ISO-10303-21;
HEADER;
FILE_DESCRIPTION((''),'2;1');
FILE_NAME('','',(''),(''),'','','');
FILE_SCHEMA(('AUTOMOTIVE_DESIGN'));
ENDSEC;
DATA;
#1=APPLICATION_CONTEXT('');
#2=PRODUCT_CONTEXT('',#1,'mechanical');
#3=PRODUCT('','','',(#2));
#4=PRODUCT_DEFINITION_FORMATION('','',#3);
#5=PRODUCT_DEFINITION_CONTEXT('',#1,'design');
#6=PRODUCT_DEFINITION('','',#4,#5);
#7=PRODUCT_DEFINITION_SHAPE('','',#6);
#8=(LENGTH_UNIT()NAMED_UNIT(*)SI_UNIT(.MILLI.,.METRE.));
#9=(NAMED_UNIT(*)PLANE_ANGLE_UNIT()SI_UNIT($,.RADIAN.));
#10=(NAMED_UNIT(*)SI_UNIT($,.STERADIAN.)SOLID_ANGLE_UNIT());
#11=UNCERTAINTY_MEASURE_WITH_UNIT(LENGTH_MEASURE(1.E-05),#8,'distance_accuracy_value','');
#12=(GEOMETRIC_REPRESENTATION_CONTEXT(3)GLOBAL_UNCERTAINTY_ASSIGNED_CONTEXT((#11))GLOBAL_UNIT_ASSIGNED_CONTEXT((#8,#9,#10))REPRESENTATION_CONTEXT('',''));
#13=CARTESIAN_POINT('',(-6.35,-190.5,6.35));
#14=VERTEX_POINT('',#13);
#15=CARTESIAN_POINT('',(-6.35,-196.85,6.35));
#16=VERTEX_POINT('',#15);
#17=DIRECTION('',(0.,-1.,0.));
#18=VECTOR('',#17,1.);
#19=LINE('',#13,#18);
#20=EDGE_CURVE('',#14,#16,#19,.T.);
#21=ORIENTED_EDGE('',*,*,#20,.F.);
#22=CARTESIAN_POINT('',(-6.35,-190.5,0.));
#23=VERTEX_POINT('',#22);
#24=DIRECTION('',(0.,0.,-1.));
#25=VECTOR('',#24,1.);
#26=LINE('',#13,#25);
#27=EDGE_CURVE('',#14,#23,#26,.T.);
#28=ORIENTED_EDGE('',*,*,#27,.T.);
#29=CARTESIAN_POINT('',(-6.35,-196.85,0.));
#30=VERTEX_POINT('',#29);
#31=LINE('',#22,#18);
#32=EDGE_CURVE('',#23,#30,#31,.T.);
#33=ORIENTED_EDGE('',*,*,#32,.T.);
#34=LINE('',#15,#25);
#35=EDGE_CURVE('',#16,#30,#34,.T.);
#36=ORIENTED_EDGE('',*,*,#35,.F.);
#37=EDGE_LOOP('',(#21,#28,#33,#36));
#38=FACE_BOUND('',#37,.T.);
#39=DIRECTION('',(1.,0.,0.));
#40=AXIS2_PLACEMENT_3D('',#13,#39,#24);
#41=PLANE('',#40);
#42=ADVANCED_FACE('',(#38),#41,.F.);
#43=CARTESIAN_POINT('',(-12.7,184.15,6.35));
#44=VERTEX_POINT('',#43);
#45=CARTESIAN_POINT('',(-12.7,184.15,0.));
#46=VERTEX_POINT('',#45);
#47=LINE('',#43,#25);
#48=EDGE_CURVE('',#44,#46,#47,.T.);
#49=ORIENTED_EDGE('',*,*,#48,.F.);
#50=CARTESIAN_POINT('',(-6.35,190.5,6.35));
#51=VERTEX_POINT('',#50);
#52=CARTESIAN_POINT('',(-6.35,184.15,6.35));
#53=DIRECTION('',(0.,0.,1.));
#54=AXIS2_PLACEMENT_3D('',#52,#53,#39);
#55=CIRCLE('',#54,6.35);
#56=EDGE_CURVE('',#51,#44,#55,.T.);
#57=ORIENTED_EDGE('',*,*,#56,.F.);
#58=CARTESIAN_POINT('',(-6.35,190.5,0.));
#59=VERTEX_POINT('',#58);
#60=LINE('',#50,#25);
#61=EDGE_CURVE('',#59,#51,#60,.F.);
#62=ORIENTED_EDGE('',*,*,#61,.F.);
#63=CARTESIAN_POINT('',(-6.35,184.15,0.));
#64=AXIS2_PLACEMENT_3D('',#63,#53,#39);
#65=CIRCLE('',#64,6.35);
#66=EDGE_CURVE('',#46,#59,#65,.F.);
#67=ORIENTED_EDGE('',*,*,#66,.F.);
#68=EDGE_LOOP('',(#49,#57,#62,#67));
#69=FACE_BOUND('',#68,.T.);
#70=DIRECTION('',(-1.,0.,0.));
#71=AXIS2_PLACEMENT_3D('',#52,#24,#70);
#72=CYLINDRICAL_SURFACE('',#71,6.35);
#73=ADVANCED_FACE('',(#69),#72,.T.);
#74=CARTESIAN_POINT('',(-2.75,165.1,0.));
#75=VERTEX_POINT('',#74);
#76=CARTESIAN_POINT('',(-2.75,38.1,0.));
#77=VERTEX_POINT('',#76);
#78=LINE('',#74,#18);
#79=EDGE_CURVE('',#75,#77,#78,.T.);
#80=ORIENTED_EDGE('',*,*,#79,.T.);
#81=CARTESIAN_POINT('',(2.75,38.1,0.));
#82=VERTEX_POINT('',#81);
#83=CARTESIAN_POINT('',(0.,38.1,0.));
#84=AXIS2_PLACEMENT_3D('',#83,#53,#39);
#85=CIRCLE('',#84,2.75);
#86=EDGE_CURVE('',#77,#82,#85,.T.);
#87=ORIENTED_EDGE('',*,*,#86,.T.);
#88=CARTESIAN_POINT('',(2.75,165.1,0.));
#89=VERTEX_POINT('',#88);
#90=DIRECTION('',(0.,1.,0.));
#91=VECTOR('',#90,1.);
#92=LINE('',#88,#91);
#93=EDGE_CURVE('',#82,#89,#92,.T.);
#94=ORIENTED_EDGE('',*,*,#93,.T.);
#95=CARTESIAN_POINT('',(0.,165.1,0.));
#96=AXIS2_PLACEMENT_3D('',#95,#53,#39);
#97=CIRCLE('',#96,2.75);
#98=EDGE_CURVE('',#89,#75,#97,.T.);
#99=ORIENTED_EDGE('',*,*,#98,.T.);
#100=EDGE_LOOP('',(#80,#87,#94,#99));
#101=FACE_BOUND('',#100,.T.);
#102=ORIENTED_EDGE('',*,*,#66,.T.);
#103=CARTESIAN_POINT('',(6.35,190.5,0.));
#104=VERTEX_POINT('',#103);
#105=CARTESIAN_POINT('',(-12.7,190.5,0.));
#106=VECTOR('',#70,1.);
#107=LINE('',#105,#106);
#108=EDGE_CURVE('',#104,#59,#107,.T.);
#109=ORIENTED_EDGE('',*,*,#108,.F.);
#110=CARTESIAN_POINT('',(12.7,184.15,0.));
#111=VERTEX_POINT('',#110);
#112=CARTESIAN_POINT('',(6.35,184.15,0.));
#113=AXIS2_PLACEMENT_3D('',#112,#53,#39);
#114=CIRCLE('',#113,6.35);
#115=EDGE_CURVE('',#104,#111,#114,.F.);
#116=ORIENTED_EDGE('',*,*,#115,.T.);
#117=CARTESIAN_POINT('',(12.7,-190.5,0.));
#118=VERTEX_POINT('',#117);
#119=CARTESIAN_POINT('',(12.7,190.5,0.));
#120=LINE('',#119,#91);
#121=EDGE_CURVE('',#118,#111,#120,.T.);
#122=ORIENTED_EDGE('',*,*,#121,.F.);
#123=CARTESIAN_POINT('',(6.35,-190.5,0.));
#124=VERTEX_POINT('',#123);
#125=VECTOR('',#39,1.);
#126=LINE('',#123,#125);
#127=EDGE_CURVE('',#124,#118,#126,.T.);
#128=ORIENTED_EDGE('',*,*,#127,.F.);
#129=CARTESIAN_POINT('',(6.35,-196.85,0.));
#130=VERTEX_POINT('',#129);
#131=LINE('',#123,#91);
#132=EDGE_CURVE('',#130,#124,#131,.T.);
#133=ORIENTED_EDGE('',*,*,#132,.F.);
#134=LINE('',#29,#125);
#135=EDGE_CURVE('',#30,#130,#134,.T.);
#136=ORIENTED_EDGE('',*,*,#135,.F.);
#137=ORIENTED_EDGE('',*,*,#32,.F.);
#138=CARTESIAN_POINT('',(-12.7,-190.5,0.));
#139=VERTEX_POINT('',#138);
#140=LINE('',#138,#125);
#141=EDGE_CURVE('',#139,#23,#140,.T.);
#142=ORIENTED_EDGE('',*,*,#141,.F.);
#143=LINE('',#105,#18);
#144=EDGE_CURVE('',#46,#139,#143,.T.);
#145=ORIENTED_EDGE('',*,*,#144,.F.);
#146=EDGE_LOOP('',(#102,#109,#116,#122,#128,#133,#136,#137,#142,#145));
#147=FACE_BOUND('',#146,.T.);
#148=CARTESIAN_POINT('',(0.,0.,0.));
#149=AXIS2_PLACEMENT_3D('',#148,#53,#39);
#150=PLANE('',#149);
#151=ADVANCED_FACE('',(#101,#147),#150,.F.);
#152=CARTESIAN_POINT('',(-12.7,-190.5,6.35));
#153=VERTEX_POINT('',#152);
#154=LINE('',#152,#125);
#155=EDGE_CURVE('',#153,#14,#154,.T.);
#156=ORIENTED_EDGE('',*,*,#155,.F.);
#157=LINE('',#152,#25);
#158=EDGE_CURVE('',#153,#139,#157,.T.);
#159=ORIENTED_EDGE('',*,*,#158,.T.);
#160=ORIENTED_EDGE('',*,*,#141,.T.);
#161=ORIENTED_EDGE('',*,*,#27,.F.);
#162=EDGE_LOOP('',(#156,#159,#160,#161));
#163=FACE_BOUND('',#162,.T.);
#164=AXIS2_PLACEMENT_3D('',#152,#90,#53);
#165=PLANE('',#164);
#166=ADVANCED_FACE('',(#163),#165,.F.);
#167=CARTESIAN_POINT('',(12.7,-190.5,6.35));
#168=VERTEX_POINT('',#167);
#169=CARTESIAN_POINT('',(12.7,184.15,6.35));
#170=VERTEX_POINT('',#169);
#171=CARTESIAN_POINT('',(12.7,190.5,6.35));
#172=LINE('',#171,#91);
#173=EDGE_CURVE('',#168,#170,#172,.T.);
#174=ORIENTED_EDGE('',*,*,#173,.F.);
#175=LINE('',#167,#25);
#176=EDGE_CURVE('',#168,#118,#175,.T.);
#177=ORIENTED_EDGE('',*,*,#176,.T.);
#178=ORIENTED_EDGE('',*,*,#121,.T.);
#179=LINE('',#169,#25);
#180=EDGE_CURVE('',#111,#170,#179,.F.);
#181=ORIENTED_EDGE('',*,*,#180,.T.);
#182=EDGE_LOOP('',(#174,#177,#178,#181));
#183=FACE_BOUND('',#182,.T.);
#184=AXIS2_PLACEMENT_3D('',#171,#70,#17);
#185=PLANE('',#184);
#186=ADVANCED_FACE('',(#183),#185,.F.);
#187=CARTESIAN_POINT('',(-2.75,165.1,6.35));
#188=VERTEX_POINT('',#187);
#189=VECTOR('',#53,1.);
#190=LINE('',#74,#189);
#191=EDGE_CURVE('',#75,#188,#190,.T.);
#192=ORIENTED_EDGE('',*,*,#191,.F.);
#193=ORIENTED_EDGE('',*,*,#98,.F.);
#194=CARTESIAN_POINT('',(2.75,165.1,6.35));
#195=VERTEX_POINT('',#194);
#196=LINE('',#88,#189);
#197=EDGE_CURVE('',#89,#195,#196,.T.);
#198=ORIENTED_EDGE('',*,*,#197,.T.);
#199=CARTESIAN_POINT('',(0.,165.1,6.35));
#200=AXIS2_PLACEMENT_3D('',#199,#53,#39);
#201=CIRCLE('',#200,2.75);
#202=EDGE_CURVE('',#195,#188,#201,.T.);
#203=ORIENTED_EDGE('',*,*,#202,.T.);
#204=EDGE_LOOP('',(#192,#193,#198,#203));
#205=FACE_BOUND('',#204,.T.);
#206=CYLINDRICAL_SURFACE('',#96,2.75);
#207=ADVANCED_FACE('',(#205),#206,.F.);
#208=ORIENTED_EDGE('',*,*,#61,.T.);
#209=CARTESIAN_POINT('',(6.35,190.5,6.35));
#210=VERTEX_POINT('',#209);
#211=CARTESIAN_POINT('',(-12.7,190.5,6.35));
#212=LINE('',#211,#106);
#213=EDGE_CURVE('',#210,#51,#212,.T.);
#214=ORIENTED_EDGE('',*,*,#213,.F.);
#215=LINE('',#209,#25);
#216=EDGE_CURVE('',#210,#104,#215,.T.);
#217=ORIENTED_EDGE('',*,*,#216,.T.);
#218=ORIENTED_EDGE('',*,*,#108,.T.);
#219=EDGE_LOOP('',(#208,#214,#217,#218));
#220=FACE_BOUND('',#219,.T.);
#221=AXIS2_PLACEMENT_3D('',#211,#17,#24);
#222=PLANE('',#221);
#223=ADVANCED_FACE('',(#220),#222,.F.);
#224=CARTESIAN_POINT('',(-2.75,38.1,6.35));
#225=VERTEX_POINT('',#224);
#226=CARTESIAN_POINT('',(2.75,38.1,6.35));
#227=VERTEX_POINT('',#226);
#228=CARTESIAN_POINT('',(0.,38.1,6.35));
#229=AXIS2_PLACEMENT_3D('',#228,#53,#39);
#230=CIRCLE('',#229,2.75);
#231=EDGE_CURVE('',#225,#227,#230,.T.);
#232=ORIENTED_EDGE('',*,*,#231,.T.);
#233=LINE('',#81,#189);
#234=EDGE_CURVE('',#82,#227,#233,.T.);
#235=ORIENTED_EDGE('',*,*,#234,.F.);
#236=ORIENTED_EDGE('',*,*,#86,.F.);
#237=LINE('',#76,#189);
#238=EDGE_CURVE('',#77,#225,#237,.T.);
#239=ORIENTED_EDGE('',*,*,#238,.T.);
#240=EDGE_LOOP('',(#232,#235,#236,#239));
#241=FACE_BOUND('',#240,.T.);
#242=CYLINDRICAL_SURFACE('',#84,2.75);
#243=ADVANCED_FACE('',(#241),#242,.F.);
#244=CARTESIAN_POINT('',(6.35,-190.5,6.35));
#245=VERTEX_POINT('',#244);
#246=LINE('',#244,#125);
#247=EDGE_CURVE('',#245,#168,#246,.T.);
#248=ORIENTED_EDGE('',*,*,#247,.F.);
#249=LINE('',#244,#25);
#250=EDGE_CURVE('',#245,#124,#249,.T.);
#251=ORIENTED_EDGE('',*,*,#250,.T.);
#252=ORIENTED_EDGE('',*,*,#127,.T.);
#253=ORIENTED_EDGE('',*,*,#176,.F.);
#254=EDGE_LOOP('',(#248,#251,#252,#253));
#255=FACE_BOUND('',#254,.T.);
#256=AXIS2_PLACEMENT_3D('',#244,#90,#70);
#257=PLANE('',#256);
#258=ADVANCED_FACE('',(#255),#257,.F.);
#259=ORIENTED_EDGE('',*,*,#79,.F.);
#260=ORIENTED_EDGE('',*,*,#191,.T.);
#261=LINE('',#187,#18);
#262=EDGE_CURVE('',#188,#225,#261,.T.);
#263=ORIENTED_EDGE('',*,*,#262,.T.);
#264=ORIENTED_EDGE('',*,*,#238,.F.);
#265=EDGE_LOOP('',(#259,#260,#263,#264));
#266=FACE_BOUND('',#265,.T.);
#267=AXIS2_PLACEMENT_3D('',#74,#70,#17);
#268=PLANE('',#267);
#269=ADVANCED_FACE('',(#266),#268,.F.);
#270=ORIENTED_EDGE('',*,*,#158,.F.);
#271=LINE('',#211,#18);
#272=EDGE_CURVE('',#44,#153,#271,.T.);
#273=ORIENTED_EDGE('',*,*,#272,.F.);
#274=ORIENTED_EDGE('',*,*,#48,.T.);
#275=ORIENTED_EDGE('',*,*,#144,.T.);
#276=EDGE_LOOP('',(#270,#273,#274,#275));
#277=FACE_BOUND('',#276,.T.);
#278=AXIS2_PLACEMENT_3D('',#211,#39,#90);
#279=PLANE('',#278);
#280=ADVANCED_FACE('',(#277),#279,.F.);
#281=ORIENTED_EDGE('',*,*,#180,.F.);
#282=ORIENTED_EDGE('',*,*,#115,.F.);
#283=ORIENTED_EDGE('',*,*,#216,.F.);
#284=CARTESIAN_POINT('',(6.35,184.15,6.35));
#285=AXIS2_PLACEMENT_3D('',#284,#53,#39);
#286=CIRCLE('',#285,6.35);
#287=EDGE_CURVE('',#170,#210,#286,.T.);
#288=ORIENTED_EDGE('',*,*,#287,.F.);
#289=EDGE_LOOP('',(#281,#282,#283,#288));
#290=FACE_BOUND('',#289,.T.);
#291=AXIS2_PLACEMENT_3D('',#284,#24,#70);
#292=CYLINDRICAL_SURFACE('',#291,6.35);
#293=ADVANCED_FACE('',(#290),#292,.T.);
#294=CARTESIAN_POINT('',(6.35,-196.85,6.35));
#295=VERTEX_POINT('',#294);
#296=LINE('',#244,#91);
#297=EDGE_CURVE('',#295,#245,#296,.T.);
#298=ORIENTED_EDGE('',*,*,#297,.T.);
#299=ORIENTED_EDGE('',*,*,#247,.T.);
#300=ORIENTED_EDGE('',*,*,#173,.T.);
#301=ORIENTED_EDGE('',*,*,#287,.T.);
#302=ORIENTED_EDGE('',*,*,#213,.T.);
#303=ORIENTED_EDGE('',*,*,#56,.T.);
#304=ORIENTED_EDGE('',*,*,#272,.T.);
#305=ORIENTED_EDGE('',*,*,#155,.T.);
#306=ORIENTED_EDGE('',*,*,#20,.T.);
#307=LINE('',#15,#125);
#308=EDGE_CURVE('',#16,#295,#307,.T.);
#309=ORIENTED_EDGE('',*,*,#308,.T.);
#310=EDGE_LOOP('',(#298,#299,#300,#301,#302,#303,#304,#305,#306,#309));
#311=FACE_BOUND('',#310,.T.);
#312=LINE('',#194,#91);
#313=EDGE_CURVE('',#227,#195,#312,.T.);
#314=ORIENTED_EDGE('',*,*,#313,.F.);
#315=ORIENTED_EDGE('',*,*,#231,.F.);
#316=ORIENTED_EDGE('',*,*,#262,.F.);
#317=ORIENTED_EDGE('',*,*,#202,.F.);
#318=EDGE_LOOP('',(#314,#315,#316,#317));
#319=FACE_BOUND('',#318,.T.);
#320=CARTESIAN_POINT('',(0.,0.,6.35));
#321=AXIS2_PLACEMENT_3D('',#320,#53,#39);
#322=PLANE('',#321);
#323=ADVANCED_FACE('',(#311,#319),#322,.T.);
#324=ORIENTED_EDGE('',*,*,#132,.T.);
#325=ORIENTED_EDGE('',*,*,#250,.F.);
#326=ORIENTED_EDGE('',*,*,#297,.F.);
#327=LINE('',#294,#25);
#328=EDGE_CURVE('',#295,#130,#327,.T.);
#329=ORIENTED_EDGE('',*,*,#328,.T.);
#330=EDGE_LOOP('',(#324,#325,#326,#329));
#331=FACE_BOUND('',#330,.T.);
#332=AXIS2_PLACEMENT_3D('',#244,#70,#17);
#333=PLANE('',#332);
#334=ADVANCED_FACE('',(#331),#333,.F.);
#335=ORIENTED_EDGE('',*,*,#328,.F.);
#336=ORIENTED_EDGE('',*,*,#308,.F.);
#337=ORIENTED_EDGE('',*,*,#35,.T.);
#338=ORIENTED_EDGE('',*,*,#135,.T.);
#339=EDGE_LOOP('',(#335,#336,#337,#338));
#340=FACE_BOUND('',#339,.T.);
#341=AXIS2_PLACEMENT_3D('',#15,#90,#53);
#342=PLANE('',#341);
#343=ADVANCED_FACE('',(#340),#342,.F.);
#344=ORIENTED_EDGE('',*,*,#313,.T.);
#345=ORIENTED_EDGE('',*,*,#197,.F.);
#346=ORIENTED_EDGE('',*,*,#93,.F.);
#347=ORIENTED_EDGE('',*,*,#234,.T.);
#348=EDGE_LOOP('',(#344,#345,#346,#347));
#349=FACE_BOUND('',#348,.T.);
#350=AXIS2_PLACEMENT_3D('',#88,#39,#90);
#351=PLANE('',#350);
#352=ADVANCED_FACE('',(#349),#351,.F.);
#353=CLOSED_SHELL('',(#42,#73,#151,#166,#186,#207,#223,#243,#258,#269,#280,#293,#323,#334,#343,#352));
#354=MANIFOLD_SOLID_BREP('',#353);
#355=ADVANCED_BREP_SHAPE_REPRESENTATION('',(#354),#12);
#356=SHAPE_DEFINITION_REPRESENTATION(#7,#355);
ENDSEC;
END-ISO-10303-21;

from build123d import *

# Parameters (mm, degrees)
BOSS_EXTRU_1_DEPTH      = 6.35
ENL_V_MAT_EXTRU_2_DEPTH = 198.361432403
CONG_1_R                = 6.35


with BuildPart() as part:
    # Esquisse2 → Boss.-Extru.1 (new body)
    with BuildSketch(Plane.XY):
        Polygon((6.35, -190.5), (12.7, -190.5), (12.7, 190.5), (-12.7, 190.5), (-12.7, -190.5), (-6.35, -190.5), (-6.35, -196.85), (6.35, -196.85), align=None)
    extrude(amount=BOSS_EXTRU_1_DEPTH)

    # Esquisse4 → Enlèv. mat.-Extru.2 (cut, through all)
    with BuildSketch(Plane.XY.offset(6.35)):
        with BuildLine():
            Line((2.75, 165.1), (2.75, 38.1))
            ThreePointArc((2.75, 38.1), (0, 35.35), (-2.75, 38.1))
            Line((-2.75, 38.1), (-2.75, 165.1))
            ThreePointArc((-2.75, 165.1), (0, 167.85), (2.75, 165.1))
        make_face()
    extrude(amount=-ENL_V_MAT_EXTRU_2_DEPTH, mode=Mode.SUBTRACT)

    # Congé1
    cong_1_edges = [part.edges().sort_by_distance(p)[0] for p in [
        (-12.7, 190.5, 3.175),
        (12.7, 190.5, 3.175),
    ]]
    fillet(cong_1_edges, radius=CONG_1_R)


solid = part.part
